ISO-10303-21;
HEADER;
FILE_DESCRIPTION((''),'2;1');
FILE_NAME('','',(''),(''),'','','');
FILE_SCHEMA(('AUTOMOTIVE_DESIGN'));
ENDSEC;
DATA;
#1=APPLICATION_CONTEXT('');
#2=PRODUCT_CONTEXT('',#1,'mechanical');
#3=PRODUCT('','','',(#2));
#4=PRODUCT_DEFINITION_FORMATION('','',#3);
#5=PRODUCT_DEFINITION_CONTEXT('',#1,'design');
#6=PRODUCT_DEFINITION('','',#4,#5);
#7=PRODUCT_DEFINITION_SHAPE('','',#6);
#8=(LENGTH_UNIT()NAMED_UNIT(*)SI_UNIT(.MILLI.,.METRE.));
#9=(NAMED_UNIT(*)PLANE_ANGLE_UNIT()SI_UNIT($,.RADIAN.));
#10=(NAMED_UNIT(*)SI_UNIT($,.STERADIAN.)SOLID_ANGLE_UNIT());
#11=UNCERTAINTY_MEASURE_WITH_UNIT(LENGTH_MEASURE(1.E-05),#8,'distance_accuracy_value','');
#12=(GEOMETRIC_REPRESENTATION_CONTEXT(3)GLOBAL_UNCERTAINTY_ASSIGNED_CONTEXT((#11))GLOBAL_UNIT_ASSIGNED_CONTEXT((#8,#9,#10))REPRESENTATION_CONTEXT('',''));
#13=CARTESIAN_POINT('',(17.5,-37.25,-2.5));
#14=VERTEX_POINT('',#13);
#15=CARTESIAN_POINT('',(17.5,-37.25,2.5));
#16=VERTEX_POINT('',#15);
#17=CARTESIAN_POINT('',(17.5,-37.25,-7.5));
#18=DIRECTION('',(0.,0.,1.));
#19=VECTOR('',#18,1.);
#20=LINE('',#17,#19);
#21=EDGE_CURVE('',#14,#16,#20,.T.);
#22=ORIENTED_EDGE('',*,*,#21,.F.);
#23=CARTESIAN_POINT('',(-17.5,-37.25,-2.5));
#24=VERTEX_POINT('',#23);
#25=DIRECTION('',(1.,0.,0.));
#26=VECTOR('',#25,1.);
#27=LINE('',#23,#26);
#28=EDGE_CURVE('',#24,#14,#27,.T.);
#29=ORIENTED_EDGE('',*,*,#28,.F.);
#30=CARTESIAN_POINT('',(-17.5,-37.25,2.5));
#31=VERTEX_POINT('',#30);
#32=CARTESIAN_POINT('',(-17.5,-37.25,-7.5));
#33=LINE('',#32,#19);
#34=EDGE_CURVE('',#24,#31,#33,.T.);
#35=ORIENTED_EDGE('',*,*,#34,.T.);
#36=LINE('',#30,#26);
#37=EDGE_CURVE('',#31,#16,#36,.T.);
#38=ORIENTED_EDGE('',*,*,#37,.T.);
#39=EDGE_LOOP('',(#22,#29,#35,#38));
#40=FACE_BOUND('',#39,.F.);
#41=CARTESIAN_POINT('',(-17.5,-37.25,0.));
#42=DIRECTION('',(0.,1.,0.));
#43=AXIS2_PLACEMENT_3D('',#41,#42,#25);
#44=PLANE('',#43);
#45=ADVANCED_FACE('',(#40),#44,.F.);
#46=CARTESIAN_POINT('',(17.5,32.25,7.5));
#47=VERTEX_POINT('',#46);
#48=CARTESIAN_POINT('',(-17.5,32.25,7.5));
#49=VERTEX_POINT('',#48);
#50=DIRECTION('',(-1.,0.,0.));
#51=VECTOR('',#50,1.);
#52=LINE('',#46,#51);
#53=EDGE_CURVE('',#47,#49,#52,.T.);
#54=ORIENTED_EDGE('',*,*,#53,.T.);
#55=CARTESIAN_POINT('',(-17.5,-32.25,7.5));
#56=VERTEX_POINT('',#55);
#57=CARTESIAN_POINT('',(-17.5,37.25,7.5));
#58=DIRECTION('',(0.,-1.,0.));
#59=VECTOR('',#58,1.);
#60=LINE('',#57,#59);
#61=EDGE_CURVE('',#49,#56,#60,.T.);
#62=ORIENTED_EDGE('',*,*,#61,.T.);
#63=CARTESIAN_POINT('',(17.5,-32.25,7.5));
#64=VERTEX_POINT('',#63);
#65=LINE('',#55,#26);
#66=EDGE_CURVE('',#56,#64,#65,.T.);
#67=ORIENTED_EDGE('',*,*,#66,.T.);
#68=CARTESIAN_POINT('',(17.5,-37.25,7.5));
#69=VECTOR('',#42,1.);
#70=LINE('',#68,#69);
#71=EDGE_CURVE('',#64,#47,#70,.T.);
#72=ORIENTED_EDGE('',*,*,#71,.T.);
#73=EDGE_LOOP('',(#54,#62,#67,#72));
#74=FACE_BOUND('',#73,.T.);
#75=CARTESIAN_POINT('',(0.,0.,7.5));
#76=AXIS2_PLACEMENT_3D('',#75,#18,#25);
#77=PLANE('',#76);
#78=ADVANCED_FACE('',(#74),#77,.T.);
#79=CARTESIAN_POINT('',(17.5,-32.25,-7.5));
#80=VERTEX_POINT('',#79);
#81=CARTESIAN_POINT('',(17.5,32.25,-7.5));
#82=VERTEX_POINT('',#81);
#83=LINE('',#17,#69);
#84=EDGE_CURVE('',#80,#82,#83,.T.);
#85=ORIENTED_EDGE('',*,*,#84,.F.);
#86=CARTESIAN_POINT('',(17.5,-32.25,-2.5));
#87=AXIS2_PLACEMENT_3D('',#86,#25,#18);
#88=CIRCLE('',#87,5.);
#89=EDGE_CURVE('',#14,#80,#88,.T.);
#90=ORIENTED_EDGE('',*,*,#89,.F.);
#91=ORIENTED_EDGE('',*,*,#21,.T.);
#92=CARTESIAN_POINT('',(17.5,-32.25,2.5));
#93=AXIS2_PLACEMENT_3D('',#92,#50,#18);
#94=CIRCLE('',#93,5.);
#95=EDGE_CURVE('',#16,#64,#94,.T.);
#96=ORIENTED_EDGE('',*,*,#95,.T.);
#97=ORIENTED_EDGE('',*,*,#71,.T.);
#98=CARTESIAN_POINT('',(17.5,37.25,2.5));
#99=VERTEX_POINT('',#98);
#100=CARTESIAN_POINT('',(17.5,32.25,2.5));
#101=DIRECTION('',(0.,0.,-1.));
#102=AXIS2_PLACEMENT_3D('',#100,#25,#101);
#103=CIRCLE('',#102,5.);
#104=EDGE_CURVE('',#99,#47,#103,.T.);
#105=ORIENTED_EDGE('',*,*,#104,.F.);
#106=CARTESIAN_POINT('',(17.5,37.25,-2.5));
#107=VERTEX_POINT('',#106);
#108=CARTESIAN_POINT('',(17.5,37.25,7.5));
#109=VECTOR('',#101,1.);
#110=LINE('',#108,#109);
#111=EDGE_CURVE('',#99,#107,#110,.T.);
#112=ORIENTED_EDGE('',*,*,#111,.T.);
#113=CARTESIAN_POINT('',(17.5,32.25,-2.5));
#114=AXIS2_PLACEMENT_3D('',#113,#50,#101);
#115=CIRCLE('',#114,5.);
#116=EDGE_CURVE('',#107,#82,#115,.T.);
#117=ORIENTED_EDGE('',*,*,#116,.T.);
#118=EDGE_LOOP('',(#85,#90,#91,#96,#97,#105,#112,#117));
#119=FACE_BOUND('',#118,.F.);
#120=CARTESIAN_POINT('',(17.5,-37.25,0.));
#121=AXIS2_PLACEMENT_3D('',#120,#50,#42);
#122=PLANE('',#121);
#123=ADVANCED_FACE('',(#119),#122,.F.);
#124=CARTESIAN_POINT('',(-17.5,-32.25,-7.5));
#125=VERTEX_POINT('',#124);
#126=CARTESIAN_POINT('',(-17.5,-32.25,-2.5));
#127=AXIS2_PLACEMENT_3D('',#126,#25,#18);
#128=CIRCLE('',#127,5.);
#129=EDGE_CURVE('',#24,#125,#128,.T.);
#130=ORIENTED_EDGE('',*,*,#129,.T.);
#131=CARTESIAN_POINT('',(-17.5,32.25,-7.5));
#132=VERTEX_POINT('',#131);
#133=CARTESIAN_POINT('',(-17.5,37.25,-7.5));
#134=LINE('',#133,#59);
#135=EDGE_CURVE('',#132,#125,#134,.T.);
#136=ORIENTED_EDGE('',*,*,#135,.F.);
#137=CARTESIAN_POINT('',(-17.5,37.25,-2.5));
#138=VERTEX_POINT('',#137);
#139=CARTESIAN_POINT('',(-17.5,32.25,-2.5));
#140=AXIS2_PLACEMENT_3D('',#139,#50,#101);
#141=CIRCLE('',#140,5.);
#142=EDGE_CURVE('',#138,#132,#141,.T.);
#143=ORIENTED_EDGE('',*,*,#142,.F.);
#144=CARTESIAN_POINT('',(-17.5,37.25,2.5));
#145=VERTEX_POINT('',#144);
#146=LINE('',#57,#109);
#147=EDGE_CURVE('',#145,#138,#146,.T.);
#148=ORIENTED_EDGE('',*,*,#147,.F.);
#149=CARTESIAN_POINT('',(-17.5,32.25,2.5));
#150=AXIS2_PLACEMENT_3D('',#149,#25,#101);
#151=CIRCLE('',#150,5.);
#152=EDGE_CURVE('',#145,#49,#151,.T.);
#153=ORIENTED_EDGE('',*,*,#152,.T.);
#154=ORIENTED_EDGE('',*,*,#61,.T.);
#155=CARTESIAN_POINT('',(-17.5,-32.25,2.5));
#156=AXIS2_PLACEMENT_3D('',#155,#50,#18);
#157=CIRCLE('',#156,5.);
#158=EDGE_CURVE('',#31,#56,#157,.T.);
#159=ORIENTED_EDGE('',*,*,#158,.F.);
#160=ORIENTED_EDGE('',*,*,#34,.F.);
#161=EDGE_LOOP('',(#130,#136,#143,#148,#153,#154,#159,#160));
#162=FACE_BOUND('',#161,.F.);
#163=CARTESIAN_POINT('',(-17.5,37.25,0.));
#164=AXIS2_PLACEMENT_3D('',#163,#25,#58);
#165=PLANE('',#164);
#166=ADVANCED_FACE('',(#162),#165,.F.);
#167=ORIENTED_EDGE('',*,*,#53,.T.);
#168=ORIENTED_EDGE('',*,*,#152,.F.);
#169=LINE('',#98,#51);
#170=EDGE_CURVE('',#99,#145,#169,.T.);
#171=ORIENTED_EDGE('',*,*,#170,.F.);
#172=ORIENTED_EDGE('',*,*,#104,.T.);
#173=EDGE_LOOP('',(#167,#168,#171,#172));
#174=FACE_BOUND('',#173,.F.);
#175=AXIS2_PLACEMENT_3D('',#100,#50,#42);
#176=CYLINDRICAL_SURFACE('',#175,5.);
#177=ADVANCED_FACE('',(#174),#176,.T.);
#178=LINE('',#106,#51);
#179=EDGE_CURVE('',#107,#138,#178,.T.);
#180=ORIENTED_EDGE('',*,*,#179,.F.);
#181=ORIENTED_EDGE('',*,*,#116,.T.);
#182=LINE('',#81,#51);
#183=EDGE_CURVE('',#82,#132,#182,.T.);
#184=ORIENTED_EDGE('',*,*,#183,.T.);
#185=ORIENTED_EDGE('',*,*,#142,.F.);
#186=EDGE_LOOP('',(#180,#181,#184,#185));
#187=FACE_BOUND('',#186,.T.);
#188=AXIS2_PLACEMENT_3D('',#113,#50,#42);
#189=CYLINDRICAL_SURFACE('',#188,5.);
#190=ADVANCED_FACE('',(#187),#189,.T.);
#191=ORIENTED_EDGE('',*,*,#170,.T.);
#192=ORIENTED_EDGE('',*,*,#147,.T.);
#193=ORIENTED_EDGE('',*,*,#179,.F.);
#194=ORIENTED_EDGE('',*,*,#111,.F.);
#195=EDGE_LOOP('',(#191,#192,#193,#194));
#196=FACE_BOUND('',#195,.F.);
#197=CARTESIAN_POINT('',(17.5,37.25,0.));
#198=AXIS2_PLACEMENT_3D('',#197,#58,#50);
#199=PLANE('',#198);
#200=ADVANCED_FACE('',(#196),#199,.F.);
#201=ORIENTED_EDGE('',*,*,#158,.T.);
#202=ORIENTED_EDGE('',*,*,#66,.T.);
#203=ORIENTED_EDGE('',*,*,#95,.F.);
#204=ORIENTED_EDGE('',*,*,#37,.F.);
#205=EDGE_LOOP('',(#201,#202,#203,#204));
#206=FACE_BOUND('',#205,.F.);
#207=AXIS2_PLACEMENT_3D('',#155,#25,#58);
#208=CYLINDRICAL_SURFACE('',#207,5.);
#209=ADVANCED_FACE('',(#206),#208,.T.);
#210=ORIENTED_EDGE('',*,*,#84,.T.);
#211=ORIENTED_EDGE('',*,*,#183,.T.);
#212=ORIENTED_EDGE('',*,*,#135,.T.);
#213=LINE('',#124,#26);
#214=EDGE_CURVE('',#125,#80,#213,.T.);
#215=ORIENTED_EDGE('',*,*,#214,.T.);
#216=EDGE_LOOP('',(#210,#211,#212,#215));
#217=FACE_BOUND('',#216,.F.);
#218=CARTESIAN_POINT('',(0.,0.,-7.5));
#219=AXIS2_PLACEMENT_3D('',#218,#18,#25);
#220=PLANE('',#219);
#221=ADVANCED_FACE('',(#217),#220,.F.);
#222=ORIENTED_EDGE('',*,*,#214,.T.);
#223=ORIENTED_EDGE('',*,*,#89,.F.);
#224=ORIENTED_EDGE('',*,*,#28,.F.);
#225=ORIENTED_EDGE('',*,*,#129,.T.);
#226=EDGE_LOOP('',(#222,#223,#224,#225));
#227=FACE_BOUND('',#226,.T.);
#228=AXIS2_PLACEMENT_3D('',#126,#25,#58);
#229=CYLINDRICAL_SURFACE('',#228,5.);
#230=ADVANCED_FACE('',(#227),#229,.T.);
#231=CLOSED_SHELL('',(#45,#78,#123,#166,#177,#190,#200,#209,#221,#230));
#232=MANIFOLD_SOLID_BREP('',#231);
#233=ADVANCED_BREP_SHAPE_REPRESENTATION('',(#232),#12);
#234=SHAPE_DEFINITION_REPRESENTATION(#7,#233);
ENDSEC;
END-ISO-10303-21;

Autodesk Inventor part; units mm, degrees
ref_plane "YZ Plane" through (0, 0, 0) normal (1, 0, 0) x (0, 1, 0)
ref_plane "XZ Plane" through (0, 0, 0) normal (0, 1, 0) x (-1, 0, 0)
ref_plane "XY Plane" through (0, 0, 0) normal (0, 0, 1) x (1, 0, 0)
sketch "Sketch1" plane through (0, 0, 0) normal (0, 0, 1) x (1, 0, 0)
  line L0 (-17.5, -37.25) -> (17.5, -37.25)
  line L1 (17.5, -37.25) -> (17.5, 37.25)
  line L2 (17.5, 37.25) -> (-17.5, 37.25)
  line L3 (-17.5, 37.25) -> (-17.5, -37.25)
  line L4 (-17.5, -37.25) -> (17.5, 37.25) construction
  line L5 (17.5, -37.25) -> (-17.5, 37.25) construction
  point P0 (0, 0)
  dimension "d0" = 35
  dimension "d1" = 74.5
extrude "Extrusion1" add sketch "Sketch1" along normal mid plane 15
fillet "Fillet1" radius 5 4 edges at (0, 37.25, -7.5) (0, 37.25, 7.5) (0, -37.25, -7.5) (0, -37.25, 7.5)
sketch "Sketch2" plane through (0, 0, 7.5) normal (0, 0, 1) x (1, 0, 0)
  line L0 (-10.2962, -18.5817) -> (-10.2962, 19.7652) construction
  line L1 (-10.2962, 19.7652) -> (10.5466, 19.7652) construction
  line L2 (10.5466, 19.7652) -> (10.5466, -18.5817) construction
  line L3 (10.5466, -18.5817) -> (-10.2962, -18.5817) construction
  point P0 (0, 0)
properties part number "Baterai 1.3"
